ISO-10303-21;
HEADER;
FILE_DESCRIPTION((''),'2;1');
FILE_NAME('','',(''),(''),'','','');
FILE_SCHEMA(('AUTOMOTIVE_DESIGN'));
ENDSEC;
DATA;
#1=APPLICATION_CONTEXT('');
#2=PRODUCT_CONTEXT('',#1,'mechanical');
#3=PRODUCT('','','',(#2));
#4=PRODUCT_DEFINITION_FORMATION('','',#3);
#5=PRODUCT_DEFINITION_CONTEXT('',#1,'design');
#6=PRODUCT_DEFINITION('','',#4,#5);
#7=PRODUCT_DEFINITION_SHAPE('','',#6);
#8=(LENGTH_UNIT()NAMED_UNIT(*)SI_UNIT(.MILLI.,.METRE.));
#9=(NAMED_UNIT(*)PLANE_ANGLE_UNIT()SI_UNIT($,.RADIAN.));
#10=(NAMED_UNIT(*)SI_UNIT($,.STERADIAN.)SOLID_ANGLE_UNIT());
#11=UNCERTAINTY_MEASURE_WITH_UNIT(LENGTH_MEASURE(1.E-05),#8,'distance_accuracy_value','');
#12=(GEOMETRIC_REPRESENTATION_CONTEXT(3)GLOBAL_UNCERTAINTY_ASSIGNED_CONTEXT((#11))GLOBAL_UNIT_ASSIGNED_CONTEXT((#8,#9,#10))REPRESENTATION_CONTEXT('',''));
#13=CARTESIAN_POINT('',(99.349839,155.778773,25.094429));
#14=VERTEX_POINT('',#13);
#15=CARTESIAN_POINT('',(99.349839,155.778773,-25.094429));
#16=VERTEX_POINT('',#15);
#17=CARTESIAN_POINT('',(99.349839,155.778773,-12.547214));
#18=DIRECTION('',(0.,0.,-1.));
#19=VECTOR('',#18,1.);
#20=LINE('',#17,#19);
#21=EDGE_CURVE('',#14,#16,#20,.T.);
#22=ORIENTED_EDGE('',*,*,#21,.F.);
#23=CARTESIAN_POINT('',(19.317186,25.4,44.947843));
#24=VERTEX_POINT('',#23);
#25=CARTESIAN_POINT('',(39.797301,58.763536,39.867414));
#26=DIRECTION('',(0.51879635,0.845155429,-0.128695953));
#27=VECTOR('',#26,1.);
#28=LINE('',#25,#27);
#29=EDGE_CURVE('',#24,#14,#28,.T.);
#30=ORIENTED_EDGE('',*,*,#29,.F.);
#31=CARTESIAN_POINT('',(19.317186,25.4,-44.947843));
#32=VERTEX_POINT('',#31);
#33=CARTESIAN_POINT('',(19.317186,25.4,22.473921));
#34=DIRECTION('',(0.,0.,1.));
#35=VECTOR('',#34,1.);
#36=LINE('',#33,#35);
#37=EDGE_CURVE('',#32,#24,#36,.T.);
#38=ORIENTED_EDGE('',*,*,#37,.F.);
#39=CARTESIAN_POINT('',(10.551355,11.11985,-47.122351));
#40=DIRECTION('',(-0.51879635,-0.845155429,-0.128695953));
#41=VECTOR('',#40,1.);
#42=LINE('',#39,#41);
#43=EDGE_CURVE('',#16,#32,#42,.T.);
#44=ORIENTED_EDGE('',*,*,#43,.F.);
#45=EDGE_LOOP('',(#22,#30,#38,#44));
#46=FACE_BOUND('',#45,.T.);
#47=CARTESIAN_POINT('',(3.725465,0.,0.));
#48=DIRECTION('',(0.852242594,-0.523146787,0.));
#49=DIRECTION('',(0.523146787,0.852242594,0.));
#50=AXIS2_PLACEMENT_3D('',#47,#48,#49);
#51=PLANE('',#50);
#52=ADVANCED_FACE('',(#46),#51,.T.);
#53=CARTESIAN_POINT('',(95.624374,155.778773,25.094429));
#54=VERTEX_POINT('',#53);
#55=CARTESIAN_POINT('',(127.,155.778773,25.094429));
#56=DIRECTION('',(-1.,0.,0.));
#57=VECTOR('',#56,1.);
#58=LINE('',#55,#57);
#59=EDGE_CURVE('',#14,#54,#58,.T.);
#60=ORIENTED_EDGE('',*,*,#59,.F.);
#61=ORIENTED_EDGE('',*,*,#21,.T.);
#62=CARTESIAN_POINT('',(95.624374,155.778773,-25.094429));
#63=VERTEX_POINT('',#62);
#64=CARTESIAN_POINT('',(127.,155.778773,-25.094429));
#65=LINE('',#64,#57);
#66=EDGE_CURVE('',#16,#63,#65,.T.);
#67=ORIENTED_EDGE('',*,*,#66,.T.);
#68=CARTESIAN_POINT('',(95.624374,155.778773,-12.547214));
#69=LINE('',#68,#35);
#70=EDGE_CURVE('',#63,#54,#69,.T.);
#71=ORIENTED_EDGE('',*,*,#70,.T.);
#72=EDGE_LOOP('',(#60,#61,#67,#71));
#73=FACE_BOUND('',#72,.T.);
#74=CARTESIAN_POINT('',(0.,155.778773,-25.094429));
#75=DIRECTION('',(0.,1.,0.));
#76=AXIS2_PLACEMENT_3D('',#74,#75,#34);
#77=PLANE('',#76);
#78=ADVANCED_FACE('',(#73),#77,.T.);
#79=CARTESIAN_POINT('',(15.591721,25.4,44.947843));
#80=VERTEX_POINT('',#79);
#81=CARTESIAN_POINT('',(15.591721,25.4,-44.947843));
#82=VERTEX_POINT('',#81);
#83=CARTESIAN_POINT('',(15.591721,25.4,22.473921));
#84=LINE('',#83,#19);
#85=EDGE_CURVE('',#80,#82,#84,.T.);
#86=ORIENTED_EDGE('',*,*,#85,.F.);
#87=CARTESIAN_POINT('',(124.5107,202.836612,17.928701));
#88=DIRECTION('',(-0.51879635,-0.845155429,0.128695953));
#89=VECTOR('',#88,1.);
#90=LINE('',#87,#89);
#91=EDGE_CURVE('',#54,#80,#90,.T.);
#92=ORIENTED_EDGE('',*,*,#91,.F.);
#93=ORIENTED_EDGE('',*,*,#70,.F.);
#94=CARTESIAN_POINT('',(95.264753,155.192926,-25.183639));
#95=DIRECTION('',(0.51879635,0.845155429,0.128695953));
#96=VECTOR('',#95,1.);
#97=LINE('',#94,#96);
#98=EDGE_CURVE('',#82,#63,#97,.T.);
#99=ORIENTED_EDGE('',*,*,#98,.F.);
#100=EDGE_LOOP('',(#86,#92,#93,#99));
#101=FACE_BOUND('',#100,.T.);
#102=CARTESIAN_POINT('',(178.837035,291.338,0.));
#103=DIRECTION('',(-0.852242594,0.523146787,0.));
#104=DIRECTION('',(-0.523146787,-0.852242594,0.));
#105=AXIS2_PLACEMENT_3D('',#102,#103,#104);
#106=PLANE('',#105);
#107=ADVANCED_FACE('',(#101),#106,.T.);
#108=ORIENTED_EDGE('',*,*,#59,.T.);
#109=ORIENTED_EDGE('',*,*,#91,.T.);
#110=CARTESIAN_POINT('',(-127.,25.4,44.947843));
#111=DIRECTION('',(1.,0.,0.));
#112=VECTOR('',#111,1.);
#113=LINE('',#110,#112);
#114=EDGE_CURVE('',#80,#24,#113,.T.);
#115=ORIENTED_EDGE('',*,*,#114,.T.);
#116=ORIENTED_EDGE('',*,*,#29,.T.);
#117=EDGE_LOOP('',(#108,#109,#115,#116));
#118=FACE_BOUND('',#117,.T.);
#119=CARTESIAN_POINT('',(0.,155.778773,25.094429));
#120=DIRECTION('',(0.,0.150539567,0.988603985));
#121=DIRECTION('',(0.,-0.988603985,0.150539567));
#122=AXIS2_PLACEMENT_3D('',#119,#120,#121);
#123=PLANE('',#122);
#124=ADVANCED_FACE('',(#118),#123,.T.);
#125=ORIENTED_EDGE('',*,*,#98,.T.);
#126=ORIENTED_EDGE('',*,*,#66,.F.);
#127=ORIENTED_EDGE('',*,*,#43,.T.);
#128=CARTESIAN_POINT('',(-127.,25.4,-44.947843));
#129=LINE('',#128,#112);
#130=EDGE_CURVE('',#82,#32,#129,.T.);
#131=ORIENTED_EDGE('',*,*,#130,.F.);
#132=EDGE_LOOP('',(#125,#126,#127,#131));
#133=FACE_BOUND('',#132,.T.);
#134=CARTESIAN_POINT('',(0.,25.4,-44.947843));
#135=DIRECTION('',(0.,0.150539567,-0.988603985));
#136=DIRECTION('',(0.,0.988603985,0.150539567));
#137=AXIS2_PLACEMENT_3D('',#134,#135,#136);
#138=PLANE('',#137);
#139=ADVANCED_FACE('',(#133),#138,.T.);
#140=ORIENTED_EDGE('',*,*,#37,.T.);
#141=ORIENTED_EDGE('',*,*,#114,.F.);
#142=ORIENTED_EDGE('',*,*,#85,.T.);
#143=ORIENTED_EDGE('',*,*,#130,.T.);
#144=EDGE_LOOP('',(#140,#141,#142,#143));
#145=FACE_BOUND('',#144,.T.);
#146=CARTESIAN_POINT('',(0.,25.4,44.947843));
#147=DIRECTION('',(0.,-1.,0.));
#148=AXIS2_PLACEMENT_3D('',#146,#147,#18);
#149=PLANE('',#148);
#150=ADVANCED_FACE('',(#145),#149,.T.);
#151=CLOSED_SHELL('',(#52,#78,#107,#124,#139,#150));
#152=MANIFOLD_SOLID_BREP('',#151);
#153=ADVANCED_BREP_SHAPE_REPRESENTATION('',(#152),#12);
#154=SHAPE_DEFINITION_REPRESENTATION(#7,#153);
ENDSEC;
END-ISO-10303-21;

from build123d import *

# Parameters (mm, degrees)
F1_DEPTH = 127
F3_DEPTH = 50.8


with BuildPart() as f1:
    # F0 (on Right) → F1 (new body, symmetric)
    with BuildSketch(Plane.YZ):
        Polygon((155.7787731835, 25.0944288613), (25.4, 44.9478426982), (25.4, -44.9478426982), (155.7787731835, -25.0944288613), align=None)
    extrude(amount=F1_DEPTH, both=True)

    # F2 (on Top) → F3 (intersect, symmetric)
    with BuildSketch(Plane.XY):
        Polygon((178.8370349486, 291.338), (0, 0), (3.7254650514, 0), (182.5625, 291.338), align=None)
    extrude(amount=F3_DEPTH, both=True, mode=Mode.INTERSECT)


solid = f1.part
